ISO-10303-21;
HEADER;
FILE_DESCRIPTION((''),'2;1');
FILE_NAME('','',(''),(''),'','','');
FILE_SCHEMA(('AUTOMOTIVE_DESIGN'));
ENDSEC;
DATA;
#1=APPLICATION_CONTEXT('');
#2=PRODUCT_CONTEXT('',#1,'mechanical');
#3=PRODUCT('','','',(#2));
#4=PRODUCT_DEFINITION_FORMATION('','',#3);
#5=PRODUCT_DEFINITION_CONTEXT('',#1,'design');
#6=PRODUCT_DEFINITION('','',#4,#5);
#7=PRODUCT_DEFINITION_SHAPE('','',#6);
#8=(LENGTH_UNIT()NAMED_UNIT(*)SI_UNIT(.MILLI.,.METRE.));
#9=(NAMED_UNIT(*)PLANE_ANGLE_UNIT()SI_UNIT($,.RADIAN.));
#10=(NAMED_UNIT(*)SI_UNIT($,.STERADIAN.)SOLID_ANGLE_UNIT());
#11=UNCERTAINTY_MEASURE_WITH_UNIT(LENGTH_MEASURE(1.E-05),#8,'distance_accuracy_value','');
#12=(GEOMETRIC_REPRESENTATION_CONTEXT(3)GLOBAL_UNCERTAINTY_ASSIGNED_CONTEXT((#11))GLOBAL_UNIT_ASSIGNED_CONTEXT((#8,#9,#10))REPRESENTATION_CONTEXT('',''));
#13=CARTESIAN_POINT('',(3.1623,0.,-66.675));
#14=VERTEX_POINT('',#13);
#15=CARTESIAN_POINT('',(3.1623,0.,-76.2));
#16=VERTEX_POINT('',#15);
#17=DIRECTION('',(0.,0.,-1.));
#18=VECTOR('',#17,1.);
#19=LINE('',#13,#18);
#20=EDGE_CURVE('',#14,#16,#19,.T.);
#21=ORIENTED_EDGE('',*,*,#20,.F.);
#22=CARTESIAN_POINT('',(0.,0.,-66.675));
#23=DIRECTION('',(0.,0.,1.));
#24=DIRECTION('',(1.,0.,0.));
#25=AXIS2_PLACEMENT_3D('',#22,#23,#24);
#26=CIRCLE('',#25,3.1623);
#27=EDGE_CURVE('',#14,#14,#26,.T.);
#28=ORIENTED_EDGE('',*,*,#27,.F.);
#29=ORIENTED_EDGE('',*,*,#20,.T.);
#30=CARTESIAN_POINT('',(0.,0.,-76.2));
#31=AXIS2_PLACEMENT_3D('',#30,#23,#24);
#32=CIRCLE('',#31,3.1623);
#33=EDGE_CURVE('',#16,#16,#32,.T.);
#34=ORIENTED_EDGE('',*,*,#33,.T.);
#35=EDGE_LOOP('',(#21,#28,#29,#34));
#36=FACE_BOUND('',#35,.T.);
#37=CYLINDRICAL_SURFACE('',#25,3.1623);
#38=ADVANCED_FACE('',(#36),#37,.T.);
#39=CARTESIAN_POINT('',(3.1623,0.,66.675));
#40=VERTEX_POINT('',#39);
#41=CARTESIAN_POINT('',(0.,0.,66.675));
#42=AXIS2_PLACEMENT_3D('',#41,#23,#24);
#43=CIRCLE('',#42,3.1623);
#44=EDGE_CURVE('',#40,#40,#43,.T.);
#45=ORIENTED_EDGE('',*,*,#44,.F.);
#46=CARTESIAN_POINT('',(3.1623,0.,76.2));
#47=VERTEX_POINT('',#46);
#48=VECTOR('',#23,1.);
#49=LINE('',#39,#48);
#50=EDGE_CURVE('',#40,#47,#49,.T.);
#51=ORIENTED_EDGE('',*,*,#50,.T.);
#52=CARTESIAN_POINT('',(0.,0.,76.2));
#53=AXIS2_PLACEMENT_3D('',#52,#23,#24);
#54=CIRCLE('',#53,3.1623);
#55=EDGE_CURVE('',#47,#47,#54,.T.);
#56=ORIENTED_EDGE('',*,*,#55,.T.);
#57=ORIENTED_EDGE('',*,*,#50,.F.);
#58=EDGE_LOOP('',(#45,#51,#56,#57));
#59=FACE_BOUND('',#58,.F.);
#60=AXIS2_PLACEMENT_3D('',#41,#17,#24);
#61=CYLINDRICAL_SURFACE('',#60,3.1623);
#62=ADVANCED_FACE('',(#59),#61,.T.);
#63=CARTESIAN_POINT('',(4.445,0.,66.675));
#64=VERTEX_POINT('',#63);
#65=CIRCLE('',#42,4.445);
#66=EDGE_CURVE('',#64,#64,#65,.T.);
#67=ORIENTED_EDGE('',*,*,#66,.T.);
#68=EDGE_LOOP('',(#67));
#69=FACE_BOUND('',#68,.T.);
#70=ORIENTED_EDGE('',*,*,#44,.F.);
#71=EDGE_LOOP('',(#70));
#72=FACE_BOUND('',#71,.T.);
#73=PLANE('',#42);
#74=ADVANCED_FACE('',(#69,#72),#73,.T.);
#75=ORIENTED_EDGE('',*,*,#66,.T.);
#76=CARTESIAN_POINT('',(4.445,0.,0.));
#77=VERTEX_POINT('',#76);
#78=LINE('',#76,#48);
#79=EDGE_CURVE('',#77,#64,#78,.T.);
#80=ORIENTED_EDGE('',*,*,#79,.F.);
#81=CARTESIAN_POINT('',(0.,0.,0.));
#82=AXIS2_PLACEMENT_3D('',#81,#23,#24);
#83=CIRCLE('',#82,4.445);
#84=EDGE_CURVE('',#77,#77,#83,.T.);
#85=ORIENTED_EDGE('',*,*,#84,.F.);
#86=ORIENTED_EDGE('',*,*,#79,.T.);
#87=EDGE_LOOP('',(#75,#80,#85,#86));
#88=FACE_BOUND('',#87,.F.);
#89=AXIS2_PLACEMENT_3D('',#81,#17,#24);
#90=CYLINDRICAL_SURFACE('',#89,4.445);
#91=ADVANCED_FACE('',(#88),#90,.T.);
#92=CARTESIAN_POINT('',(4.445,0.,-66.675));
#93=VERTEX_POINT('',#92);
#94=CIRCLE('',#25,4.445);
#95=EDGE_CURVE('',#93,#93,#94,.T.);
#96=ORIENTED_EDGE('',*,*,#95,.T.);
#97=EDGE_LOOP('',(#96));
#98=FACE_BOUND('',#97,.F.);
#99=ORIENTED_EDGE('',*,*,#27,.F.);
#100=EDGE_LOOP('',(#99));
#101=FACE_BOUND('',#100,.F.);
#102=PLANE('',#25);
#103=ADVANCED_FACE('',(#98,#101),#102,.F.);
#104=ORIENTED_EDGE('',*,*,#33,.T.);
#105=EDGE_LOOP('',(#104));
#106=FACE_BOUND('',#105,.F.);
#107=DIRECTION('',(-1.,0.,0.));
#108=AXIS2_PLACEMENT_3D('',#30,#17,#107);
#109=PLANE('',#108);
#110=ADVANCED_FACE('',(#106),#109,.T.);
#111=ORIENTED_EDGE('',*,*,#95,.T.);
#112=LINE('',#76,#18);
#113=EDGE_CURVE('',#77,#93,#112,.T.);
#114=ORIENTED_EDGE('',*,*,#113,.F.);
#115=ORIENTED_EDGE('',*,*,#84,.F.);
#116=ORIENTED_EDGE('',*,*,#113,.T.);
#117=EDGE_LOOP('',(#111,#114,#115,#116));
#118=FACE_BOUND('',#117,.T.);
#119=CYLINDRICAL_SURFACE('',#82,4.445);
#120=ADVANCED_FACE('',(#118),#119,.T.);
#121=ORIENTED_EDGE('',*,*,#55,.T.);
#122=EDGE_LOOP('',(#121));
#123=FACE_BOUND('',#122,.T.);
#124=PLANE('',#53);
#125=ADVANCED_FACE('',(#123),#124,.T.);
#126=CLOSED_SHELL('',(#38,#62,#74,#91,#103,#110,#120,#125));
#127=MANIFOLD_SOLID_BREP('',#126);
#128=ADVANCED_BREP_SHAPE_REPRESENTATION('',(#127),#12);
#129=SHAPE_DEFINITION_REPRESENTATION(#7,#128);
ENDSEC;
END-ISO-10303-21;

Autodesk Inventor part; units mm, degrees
ref_plane "YZ Plane" through (0, 0, 0) normal (1, 0, 0) x (0, 1, 0)
ref_plane "XZ Plane" through (0, 0, 0) normal (0, 1, 0) x (-1, 0, 0)
ref_plane "XY Plane" through (0, 0, 0) normal (0, 0, 1) x (1, 0, 0)
sketch "Sketch1" plane through (0, 0, 0) normal (0, 0, 1) x (1, 0, 0)
  circle A0 centre (0, 0) radius 4.445
  dimension "d0" = 8.89
extrude "Extrusion1" add sketch "Sketch1" along normal mid plane 133.35
sketch "Sketch2" plane through (0, 0, 66.675) normal (0, 0, 1) x (1, 0, 0)
  circle A0 centre (0, 0) radius 3.1623
  dimension "d3" = 6.3246
extrude "Extrusion2" add sketch "Sketch2" along normal blind 9.525
mirror "Mirror1" about plane through (0, 0, 0) normal (0, 0, 1) of "Extrusion2"
properties part number "Ch7(5) Part 6 Handle"
